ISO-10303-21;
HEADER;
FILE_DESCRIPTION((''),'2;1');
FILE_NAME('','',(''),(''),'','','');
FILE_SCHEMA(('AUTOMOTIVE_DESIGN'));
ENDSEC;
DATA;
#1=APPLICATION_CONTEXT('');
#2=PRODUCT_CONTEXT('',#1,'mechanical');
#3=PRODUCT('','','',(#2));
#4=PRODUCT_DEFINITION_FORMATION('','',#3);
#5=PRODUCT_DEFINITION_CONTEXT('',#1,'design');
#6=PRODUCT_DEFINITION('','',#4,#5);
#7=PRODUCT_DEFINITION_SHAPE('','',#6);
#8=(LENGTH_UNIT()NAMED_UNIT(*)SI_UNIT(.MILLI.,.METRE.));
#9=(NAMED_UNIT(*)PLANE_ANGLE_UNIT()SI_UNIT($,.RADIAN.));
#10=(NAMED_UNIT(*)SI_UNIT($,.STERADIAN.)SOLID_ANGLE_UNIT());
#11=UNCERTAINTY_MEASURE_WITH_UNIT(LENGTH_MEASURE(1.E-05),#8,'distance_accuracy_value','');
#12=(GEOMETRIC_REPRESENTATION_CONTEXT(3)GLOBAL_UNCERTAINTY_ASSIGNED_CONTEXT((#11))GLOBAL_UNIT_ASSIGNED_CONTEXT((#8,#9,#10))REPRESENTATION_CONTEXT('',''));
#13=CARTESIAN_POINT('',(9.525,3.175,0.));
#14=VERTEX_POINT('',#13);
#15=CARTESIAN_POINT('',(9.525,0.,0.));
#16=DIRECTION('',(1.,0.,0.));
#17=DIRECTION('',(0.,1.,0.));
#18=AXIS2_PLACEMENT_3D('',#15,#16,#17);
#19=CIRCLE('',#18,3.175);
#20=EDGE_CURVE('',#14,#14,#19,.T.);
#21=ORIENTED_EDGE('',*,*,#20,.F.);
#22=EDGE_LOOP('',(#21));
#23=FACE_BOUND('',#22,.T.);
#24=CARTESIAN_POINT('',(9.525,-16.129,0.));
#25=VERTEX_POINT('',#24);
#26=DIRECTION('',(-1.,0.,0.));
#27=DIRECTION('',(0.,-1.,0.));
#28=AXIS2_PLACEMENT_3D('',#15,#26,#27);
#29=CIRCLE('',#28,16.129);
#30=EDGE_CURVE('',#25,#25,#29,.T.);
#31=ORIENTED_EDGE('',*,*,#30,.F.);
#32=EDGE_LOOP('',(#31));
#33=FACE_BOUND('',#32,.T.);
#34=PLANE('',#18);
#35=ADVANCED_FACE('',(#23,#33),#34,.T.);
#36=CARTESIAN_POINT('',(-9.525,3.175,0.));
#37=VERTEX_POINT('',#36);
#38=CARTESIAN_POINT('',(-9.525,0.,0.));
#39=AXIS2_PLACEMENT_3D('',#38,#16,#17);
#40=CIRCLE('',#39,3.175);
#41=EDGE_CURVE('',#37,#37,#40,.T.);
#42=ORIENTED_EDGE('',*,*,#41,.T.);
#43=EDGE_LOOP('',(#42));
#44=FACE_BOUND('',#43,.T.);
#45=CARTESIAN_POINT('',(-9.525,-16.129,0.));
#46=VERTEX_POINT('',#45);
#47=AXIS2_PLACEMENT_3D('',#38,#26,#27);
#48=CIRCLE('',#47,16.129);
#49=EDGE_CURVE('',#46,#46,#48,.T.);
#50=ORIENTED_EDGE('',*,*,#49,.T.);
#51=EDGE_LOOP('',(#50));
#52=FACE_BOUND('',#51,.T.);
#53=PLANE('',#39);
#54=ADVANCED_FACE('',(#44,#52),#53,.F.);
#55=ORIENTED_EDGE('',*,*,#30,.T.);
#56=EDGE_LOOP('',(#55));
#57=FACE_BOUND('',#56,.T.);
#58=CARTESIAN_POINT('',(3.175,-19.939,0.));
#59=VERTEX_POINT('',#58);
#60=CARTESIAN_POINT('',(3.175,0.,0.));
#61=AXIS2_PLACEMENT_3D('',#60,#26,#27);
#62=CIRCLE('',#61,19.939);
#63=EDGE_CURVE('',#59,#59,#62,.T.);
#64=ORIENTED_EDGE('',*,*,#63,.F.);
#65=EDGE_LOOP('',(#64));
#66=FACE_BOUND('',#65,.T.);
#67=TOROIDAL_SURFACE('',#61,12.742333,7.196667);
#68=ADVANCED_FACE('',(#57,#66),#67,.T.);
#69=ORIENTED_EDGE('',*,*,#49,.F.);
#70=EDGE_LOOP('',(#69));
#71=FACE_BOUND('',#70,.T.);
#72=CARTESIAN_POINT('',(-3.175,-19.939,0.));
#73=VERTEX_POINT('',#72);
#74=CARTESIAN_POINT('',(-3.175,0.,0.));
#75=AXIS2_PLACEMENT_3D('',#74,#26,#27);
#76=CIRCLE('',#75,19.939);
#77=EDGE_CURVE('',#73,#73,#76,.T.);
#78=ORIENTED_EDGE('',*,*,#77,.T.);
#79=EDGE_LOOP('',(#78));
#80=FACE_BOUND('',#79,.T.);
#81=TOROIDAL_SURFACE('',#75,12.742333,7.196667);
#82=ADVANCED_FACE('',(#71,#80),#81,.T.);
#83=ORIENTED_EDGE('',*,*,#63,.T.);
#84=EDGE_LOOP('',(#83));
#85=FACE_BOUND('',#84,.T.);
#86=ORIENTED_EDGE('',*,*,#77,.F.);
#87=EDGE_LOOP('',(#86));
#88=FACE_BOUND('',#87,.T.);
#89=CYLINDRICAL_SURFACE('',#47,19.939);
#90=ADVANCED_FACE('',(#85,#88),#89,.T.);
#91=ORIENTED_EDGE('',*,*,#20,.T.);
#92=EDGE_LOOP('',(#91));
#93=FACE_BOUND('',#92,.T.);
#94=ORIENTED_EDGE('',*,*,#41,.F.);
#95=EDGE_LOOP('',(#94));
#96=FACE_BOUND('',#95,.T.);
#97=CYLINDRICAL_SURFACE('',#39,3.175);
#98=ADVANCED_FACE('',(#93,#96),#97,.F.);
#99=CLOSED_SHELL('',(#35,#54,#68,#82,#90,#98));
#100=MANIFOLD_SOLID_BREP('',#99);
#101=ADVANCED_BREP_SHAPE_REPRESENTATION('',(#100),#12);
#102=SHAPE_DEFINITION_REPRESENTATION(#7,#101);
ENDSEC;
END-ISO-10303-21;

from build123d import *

# Parameters (mm, degrees)
SKETCH2_R          = 3.175
CUT_EXTRUDE1_DEPTH = 35.029838995


with BuildPart() as part:
    # Sketch1 → Revolve1 (revolve)
    with BuildSketch(Plane.XY):
        with BuildLine():
            Line((9.525, 0), (-9.525, 0))
            Line((-9.525, 0), (-9.525, -16.129))
            ThreePointArc((-9.525, -16.129), (-6.877654453, -18.913424089), (-3.175, -19.939))
            Line((-3.175, -19.939), (3.175, -19.939))
            ThreePointArc((3.175, -19.939), (6.877654453, -18.913424089), (9.525, -16.129))
            Line((9.525, -16.129), (9.525, 0))
        make_face()
    revolve(axis=Axis((-9.525, 0, 0), (1, 0, 0)))

    # Sketch2 → Cut-Extrude1 (cut, through all)
    with BuildSketch(Plane(origin=(9.525, 0, 0), x_dir=(0, 0, -1), z_dir=(1, 0, 0))):
        with Locations(Location((0, 0, 0), (0, 0, 90))):
            Circle(SKETCH2_R)
    extrude(amount=-CUT_EXTRUDE1_DEPTH, mode=Mode.SUBTRACT)


solid = part.part
